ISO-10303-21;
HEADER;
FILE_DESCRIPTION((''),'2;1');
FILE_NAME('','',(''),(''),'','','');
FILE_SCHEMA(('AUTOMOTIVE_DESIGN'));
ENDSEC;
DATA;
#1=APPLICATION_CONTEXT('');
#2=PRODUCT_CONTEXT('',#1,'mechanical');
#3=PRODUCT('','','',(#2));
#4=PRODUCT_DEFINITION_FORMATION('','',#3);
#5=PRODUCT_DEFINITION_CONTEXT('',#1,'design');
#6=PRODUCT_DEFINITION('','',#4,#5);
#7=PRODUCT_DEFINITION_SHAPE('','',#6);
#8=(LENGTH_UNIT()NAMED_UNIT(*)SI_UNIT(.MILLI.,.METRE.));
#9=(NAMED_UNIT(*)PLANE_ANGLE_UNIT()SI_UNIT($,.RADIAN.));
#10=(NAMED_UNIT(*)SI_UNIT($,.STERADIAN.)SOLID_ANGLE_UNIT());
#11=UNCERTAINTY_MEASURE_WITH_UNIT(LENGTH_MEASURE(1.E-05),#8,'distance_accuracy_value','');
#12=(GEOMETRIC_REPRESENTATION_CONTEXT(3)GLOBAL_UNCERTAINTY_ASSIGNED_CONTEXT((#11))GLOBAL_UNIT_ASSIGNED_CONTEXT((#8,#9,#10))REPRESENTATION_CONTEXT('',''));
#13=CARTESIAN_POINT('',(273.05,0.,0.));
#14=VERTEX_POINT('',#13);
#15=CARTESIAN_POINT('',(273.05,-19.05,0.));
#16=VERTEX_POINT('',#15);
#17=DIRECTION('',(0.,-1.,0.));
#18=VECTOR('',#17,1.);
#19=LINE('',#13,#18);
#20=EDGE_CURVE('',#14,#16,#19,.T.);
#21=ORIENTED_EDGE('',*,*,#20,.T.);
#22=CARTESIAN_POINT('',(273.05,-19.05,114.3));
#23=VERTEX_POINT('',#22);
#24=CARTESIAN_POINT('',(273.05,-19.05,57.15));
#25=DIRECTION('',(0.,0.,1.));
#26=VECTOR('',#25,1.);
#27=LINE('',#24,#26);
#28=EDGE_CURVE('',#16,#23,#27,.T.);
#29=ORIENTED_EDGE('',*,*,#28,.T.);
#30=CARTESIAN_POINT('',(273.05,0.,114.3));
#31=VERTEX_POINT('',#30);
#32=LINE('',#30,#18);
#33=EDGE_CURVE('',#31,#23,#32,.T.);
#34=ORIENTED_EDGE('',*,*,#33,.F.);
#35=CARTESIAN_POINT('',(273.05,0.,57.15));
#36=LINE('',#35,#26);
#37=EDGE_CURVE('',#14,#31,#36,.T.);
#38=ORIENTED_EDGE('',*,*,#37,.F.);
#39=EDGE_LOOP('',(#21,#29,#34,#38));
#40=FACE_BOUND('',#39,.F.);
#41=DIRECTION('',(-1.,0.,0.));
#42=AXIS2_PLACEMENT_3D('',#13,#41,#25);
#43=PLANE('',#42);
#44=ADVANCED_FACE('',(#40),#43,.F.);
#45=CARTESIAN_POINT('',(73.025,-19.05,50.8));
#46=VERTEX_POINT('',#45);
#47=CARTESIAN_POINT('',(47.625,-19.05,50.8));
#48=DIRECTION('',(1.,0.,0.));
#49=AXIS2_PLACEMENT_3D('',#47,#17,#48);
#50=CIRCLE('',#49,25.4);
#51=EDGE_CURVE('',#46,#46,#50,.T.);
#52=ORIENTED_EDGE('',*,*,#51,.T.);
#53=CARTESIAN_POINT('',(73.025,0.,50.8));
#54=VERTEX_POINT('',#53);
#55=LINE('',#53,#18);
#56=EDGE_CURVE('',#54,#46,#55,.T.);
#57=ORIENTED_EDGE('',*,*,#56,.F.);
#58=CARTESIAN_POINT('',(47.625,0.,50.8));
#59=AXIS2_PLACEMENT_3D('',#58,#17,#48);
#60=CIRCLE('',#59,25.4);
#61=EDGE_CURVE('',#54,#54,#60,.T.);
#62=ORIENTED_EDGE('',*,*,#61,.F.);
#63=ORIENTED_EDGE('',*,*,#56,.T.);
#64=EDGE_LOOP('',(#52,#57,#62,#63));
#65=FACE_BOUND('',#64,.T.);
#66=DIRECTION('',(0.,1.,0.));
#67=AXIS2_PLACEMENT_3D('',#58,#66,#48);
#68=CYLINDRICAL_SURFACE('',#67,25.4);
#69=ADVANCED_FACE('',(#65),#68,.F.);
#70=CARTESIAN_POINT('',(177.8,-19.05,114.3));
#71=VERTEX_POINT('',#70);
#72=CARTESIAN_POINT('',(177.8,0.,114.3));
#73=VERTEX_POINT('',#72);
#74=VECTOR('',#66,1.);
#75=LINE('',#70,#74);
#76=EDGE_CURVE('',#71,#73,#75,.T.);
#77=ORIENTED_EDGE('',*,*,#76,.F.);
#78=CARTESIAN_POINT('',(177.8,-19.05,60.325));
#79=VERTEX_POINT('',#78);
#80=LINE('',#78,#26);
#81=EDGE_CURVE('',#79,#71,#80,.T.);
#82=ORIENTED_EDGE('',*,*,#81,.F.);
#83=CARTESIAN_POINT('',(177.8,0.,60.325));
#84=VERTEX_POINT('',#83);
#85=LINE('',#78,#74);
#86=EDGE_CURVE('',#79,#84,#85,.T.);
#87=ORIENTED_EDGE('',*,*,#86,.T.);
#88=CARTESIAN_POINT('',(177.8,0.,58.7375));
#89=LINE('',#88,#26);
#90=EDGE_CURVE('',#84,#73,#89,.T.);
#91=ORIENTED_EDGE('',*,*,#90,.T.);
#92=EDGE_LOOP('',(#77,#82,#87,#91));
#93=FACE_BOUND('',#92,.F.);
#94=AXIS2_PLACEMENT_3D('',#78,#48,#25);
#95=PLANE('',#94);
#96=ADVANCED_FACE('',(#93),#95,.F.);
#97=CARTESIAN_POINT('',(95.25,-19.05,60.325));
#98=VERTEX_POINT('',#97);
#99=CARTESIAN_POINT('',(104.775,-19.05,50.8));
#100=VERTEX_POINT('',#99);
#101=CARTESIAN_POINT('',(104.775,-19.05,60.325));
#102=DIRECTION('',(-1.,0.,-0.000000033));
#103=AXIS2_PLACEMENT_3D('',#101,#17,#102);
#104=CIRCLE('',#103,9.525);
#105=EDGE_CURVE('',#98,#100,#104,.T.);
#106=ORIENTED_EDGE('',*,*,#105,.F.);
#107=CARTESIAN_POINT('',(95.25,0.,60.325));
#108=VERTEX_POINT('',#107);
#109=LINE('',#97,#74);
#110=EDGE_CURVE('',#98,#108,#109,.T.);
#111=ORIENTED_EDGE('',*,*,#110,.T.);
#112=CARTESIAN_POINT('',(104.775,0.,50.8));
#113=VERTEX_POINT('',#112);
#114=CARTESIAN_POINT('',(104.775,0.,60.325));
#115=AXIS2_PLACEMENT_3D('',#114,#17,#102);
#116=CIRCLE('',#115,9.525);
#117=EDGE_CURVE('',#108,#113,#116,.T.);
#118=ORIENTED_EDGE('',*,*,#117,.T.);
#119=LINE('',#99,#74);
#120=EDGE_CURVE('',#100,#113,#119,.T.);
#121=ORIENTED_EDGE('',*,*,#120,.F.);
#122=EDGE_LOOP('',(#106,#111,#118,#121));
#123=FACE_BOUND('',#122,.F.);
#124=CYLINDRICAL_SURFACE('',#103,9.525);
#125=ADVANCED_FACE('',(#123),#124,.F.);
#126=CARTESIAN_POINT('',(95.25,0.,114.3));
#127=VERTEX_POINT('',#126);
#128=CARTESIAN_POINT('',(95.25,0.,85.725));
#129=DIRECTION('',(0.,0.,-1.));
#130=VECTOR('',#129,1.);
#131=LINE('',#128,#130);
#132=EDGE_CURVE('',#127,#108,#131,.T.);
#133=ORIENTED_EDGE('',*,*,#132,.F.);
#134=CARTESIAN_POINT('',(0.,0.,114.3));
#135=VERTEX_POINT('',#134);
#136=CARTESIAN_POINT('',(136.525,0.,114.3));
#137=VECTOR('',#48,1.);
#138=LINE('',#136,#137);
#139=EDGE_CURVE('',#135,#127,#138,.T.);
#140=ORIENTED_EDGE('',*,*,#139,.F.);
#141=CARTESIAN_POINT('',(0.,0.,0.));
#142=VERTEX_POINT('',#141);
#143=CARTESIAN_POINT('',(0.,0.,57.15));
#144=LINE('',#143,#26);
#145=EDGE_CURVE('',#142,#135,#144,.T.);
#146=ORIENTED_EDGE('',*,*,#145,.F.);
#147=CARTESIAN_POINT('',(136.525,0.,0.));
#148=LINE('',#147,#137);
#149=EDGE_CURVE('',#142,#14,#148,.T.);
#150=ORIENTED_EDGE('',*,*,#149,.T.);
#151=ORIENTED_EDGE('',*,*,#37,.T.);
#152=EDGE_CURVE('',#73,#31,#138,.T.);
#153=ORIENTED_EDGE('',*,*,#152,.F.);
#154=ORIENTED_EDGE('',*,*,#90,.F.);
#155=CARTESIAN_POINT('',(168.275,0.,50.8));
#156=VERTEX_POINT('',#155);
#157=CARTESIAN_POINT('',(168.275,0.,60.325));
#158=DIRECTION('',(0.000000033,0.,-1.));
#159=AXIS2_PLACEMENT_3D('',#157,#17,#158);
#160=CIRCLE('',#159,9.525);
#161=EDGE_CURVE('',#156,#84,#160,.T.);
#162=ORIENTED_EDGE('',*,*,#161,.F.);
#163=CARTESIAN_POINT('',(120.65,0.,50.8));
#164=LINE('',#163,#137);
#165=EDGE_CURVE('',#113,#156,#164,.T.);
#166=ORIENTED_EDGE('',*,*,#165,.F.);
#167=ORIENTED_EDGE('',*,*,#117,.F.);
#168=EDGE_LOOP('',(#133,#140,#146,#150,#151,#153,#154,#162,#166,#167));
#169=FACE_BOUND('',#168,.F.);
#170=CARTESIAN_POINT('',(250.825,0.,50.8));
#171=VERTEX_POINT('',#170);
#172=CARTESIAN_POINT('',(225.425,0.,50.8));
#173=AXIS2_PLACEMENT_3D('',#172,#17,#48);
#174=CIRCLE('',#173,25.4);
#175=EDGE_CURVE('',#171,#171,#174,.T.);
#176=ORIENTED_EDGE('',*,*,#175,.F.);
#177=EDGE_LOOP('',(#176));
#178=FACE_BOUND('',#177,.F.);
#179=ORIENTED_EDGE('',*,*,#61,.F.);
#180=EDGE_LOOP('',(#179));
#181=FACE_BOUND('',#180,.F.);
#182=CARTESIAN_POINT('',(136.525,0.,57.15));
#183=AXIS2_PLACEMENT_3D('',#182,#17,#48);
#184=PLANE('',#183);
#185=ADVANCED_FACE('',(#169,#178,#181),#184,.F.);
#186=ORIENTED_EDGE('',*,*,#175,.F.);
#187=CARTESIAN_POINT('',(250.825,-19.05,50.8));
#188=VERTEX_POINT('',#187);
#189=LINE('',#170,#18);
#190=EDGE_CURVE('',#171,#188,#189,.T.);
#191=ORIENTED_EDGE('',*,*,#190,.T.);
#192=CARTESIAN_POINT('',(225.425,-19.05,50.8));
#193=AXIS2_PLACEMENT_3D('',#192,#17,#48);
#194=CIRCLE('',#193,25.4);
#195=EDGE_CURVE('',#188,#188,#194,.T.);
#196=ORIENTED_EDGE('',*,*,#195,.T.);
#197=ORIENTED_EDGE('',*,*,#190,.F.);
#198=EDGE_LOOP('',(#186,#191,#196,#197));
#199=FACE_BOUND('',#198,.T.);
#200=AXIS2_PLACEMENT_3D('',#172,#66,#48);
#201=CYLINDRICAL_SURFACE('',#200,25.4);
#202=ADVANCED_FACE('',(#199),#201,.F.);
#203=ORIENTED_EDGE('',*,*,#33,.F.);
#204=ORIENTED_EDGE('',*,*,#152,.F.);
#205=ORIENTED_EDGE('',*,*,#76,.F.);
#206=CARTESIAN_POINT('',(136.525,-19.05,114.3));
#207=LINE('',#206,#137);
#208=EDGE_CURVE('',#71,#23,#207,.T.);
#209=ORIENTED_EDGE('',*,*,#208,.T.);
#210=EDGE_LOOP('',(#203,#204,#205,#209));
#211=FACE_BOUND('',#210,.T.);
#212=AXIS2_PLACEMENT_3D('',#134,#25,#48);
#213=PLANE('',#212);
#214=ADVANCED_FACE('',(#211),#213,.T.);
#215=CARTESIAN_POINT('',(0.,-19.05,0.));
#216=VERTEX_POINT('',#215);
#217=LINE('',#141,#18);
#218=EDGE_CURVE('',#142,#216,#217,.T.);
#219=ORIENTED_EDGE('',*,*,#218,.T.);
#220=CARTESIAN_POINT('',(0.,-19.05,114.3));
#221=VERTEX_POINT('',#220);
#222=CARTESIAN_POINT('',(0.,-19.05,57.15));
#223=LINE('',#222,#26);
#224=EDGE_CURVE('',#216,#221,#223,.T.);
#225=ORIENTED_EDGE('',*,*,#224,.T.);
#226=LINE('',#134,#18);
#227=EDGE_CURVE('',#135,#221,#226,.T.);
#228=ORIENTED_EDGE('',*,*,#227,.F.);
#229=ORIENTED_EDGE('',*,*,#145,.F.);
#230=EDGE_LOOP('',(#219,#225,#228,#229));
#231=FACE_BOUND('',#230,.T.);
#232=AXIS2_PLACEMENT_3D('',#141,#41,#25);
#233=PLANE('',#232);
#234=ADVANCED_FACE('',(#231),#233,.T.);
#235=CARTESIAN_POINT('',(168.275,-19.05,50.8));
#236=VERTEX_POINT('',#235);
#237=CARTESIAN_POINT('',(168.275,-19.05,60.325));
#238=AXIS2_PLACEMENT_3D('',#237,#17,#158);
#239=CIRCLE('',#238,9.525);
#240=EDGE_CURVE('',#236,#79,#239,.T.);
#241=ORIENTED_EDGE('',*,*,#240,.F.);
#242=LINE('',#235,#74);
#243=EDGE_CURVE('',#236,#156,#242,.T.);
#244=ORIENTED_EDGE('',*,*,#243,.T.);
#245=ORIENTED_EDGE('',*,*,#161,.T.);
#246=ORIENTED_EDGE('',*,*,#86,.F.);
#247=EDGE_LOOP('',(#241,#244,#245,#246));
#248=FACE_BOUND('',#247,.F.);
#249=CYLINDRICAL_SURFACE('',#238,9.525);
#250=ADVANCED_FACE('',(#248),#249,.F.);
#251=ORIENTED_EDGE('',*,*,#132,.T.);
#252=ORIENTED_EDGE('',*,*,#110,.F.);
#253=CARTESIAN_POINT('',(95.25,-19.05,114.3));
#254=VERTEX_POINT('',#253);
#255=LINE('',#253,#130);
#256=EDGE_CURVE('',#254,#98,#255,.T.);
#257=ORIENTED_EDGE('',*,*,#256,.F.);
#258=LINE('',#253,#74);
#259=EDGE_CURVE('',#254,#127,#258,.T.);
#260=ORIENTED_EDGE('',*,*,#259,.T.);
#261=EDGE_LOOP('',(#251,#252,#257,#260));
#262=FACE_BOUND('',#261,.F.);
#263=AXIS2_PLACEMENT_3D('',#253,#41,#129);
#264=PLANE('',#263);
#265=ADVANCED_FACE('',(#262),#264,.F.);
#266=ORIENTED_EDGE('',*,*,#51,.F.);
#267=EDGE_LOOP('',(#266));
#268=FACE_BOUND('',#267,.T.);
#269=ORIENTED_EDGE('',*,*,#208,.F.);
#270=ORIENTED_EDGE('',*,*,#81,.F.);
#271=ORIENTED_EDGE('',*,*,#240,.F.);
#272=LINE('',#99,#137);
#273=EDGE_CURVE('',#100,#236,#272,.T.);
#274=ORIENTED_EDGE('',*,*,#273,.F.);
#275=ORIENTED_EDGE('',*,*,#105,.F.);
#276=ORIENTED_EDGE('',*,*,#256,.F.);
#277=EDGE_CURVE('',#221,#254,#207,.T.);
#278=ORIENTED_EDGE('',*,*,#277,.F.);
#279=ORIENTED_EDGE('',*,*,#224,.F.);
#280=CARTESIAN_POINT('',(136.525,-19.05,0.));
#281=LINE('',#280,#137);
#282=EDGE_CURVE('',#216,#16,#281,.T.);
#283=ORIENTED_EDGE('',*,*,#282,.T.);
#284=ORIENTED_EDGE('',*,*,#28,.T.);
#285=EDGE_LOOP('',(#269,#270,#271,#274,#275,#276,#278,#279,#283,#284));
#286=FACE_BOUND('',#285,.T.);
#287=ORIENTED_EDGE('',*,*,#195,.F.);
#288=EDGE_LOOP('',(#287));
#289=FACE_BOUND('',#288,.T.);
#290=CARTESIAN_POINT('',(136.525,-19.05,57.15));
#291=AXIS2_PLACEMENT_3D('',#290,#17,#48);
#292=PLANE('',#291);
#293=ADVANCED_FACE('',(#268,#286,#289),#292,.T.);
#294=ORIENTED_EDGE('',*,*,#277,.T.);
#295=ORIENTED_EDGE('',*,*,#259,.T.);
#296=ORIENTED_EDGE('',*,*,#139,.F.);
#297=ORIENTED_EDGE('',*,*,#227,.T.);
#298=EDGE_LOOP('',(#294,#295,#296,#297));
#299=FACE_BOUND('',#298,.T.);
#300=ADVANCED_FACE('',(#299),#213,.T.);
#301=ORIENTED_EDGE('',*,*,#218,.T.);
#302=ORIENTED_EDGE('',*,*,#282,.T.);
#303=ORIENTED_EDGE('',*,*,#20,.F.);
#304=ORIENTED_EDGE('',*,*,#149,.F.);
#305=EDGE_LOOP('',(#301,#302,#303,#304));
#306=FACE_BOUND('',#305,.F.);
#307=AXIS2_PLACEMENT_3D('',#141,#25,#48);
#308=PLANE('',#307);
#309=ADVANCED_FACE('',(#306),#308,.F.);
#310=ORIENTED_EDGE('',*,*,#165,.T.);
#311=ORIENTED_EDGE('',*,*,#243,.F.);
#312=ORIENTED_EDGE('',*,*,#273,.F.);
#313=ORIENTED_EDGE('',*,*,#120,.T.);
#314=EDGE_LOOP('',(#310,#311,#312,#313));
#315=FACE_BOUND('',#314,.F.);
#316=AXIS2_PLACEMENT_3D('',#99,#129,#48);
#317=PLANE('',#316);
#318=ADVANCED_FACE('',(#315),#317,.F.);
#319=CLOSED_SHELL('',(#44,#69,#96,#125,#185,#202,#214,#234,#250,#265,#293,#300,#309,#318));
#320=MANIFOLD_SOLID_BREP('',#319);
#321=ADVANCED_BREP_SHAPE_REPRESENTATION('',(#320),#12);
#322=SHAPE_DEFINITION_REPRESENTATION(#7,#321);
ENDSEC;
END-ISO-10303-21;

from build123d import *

# Parameters (mm, degrees)
F1_W     = 273.05
F1_H     = 114.3
F1_R     = 25.4
F2_DEPTH = 19.05
F3_DEPTH = 25.4
F5_DEPTH = 25.4


with BuildPart() as f2:
    # F1 (on face) → F2 (new body)
    with BuildSketch(Plane.XZ):
        with Locations((136.525, 57.15)):
            Rectangle(F1_W, F1_H)
        with Locations((47.625, 50.8)):
            Circle(F1_R, mode=Mode.SUBTRACT)
        with Locations((225.425, 50.8)):
            Circle(F1_R, mode=Mode.SUBTRACT)
    extrude(amount=F2_DEPTH)

    # F1 (on face) → F3 (cut)
    with BuildSketch(Plane.XZ):
        with Locations((47.625, 50.8)):
            Circle(F1_R)
        with Locations((225.425, 50.8)):
            Circle(F1_R)
    extrude(amount=-F3_DEPTH, mode=Mode.SUBTRACT)

    # F4 (on face) → F5 (cut)
    with BuildSketch(Plane.XZ.offset(19.05)):
        with BuildLine():
            Line((177.8, 114.3), (95.25, 114.3))
            Line((95.25, 114.3), (95.25, 60.325))
            ThreePointArc((95.25, 60.325), (98.039808, 53.589808), (104.775, 50.8))
            Line((104.775, 50.8), (168.275, 50.8))
            ThreePointArc((168.275, 50.8), (175.010192, 53.589808), (177.8, 60.325))
            Line((177.8, 60.325), (177.8, 114.3))
        make_face()
    extrude(amount=-F5_DEPTH, mode=Mode.SUBTRACT)


solid = f2.part
